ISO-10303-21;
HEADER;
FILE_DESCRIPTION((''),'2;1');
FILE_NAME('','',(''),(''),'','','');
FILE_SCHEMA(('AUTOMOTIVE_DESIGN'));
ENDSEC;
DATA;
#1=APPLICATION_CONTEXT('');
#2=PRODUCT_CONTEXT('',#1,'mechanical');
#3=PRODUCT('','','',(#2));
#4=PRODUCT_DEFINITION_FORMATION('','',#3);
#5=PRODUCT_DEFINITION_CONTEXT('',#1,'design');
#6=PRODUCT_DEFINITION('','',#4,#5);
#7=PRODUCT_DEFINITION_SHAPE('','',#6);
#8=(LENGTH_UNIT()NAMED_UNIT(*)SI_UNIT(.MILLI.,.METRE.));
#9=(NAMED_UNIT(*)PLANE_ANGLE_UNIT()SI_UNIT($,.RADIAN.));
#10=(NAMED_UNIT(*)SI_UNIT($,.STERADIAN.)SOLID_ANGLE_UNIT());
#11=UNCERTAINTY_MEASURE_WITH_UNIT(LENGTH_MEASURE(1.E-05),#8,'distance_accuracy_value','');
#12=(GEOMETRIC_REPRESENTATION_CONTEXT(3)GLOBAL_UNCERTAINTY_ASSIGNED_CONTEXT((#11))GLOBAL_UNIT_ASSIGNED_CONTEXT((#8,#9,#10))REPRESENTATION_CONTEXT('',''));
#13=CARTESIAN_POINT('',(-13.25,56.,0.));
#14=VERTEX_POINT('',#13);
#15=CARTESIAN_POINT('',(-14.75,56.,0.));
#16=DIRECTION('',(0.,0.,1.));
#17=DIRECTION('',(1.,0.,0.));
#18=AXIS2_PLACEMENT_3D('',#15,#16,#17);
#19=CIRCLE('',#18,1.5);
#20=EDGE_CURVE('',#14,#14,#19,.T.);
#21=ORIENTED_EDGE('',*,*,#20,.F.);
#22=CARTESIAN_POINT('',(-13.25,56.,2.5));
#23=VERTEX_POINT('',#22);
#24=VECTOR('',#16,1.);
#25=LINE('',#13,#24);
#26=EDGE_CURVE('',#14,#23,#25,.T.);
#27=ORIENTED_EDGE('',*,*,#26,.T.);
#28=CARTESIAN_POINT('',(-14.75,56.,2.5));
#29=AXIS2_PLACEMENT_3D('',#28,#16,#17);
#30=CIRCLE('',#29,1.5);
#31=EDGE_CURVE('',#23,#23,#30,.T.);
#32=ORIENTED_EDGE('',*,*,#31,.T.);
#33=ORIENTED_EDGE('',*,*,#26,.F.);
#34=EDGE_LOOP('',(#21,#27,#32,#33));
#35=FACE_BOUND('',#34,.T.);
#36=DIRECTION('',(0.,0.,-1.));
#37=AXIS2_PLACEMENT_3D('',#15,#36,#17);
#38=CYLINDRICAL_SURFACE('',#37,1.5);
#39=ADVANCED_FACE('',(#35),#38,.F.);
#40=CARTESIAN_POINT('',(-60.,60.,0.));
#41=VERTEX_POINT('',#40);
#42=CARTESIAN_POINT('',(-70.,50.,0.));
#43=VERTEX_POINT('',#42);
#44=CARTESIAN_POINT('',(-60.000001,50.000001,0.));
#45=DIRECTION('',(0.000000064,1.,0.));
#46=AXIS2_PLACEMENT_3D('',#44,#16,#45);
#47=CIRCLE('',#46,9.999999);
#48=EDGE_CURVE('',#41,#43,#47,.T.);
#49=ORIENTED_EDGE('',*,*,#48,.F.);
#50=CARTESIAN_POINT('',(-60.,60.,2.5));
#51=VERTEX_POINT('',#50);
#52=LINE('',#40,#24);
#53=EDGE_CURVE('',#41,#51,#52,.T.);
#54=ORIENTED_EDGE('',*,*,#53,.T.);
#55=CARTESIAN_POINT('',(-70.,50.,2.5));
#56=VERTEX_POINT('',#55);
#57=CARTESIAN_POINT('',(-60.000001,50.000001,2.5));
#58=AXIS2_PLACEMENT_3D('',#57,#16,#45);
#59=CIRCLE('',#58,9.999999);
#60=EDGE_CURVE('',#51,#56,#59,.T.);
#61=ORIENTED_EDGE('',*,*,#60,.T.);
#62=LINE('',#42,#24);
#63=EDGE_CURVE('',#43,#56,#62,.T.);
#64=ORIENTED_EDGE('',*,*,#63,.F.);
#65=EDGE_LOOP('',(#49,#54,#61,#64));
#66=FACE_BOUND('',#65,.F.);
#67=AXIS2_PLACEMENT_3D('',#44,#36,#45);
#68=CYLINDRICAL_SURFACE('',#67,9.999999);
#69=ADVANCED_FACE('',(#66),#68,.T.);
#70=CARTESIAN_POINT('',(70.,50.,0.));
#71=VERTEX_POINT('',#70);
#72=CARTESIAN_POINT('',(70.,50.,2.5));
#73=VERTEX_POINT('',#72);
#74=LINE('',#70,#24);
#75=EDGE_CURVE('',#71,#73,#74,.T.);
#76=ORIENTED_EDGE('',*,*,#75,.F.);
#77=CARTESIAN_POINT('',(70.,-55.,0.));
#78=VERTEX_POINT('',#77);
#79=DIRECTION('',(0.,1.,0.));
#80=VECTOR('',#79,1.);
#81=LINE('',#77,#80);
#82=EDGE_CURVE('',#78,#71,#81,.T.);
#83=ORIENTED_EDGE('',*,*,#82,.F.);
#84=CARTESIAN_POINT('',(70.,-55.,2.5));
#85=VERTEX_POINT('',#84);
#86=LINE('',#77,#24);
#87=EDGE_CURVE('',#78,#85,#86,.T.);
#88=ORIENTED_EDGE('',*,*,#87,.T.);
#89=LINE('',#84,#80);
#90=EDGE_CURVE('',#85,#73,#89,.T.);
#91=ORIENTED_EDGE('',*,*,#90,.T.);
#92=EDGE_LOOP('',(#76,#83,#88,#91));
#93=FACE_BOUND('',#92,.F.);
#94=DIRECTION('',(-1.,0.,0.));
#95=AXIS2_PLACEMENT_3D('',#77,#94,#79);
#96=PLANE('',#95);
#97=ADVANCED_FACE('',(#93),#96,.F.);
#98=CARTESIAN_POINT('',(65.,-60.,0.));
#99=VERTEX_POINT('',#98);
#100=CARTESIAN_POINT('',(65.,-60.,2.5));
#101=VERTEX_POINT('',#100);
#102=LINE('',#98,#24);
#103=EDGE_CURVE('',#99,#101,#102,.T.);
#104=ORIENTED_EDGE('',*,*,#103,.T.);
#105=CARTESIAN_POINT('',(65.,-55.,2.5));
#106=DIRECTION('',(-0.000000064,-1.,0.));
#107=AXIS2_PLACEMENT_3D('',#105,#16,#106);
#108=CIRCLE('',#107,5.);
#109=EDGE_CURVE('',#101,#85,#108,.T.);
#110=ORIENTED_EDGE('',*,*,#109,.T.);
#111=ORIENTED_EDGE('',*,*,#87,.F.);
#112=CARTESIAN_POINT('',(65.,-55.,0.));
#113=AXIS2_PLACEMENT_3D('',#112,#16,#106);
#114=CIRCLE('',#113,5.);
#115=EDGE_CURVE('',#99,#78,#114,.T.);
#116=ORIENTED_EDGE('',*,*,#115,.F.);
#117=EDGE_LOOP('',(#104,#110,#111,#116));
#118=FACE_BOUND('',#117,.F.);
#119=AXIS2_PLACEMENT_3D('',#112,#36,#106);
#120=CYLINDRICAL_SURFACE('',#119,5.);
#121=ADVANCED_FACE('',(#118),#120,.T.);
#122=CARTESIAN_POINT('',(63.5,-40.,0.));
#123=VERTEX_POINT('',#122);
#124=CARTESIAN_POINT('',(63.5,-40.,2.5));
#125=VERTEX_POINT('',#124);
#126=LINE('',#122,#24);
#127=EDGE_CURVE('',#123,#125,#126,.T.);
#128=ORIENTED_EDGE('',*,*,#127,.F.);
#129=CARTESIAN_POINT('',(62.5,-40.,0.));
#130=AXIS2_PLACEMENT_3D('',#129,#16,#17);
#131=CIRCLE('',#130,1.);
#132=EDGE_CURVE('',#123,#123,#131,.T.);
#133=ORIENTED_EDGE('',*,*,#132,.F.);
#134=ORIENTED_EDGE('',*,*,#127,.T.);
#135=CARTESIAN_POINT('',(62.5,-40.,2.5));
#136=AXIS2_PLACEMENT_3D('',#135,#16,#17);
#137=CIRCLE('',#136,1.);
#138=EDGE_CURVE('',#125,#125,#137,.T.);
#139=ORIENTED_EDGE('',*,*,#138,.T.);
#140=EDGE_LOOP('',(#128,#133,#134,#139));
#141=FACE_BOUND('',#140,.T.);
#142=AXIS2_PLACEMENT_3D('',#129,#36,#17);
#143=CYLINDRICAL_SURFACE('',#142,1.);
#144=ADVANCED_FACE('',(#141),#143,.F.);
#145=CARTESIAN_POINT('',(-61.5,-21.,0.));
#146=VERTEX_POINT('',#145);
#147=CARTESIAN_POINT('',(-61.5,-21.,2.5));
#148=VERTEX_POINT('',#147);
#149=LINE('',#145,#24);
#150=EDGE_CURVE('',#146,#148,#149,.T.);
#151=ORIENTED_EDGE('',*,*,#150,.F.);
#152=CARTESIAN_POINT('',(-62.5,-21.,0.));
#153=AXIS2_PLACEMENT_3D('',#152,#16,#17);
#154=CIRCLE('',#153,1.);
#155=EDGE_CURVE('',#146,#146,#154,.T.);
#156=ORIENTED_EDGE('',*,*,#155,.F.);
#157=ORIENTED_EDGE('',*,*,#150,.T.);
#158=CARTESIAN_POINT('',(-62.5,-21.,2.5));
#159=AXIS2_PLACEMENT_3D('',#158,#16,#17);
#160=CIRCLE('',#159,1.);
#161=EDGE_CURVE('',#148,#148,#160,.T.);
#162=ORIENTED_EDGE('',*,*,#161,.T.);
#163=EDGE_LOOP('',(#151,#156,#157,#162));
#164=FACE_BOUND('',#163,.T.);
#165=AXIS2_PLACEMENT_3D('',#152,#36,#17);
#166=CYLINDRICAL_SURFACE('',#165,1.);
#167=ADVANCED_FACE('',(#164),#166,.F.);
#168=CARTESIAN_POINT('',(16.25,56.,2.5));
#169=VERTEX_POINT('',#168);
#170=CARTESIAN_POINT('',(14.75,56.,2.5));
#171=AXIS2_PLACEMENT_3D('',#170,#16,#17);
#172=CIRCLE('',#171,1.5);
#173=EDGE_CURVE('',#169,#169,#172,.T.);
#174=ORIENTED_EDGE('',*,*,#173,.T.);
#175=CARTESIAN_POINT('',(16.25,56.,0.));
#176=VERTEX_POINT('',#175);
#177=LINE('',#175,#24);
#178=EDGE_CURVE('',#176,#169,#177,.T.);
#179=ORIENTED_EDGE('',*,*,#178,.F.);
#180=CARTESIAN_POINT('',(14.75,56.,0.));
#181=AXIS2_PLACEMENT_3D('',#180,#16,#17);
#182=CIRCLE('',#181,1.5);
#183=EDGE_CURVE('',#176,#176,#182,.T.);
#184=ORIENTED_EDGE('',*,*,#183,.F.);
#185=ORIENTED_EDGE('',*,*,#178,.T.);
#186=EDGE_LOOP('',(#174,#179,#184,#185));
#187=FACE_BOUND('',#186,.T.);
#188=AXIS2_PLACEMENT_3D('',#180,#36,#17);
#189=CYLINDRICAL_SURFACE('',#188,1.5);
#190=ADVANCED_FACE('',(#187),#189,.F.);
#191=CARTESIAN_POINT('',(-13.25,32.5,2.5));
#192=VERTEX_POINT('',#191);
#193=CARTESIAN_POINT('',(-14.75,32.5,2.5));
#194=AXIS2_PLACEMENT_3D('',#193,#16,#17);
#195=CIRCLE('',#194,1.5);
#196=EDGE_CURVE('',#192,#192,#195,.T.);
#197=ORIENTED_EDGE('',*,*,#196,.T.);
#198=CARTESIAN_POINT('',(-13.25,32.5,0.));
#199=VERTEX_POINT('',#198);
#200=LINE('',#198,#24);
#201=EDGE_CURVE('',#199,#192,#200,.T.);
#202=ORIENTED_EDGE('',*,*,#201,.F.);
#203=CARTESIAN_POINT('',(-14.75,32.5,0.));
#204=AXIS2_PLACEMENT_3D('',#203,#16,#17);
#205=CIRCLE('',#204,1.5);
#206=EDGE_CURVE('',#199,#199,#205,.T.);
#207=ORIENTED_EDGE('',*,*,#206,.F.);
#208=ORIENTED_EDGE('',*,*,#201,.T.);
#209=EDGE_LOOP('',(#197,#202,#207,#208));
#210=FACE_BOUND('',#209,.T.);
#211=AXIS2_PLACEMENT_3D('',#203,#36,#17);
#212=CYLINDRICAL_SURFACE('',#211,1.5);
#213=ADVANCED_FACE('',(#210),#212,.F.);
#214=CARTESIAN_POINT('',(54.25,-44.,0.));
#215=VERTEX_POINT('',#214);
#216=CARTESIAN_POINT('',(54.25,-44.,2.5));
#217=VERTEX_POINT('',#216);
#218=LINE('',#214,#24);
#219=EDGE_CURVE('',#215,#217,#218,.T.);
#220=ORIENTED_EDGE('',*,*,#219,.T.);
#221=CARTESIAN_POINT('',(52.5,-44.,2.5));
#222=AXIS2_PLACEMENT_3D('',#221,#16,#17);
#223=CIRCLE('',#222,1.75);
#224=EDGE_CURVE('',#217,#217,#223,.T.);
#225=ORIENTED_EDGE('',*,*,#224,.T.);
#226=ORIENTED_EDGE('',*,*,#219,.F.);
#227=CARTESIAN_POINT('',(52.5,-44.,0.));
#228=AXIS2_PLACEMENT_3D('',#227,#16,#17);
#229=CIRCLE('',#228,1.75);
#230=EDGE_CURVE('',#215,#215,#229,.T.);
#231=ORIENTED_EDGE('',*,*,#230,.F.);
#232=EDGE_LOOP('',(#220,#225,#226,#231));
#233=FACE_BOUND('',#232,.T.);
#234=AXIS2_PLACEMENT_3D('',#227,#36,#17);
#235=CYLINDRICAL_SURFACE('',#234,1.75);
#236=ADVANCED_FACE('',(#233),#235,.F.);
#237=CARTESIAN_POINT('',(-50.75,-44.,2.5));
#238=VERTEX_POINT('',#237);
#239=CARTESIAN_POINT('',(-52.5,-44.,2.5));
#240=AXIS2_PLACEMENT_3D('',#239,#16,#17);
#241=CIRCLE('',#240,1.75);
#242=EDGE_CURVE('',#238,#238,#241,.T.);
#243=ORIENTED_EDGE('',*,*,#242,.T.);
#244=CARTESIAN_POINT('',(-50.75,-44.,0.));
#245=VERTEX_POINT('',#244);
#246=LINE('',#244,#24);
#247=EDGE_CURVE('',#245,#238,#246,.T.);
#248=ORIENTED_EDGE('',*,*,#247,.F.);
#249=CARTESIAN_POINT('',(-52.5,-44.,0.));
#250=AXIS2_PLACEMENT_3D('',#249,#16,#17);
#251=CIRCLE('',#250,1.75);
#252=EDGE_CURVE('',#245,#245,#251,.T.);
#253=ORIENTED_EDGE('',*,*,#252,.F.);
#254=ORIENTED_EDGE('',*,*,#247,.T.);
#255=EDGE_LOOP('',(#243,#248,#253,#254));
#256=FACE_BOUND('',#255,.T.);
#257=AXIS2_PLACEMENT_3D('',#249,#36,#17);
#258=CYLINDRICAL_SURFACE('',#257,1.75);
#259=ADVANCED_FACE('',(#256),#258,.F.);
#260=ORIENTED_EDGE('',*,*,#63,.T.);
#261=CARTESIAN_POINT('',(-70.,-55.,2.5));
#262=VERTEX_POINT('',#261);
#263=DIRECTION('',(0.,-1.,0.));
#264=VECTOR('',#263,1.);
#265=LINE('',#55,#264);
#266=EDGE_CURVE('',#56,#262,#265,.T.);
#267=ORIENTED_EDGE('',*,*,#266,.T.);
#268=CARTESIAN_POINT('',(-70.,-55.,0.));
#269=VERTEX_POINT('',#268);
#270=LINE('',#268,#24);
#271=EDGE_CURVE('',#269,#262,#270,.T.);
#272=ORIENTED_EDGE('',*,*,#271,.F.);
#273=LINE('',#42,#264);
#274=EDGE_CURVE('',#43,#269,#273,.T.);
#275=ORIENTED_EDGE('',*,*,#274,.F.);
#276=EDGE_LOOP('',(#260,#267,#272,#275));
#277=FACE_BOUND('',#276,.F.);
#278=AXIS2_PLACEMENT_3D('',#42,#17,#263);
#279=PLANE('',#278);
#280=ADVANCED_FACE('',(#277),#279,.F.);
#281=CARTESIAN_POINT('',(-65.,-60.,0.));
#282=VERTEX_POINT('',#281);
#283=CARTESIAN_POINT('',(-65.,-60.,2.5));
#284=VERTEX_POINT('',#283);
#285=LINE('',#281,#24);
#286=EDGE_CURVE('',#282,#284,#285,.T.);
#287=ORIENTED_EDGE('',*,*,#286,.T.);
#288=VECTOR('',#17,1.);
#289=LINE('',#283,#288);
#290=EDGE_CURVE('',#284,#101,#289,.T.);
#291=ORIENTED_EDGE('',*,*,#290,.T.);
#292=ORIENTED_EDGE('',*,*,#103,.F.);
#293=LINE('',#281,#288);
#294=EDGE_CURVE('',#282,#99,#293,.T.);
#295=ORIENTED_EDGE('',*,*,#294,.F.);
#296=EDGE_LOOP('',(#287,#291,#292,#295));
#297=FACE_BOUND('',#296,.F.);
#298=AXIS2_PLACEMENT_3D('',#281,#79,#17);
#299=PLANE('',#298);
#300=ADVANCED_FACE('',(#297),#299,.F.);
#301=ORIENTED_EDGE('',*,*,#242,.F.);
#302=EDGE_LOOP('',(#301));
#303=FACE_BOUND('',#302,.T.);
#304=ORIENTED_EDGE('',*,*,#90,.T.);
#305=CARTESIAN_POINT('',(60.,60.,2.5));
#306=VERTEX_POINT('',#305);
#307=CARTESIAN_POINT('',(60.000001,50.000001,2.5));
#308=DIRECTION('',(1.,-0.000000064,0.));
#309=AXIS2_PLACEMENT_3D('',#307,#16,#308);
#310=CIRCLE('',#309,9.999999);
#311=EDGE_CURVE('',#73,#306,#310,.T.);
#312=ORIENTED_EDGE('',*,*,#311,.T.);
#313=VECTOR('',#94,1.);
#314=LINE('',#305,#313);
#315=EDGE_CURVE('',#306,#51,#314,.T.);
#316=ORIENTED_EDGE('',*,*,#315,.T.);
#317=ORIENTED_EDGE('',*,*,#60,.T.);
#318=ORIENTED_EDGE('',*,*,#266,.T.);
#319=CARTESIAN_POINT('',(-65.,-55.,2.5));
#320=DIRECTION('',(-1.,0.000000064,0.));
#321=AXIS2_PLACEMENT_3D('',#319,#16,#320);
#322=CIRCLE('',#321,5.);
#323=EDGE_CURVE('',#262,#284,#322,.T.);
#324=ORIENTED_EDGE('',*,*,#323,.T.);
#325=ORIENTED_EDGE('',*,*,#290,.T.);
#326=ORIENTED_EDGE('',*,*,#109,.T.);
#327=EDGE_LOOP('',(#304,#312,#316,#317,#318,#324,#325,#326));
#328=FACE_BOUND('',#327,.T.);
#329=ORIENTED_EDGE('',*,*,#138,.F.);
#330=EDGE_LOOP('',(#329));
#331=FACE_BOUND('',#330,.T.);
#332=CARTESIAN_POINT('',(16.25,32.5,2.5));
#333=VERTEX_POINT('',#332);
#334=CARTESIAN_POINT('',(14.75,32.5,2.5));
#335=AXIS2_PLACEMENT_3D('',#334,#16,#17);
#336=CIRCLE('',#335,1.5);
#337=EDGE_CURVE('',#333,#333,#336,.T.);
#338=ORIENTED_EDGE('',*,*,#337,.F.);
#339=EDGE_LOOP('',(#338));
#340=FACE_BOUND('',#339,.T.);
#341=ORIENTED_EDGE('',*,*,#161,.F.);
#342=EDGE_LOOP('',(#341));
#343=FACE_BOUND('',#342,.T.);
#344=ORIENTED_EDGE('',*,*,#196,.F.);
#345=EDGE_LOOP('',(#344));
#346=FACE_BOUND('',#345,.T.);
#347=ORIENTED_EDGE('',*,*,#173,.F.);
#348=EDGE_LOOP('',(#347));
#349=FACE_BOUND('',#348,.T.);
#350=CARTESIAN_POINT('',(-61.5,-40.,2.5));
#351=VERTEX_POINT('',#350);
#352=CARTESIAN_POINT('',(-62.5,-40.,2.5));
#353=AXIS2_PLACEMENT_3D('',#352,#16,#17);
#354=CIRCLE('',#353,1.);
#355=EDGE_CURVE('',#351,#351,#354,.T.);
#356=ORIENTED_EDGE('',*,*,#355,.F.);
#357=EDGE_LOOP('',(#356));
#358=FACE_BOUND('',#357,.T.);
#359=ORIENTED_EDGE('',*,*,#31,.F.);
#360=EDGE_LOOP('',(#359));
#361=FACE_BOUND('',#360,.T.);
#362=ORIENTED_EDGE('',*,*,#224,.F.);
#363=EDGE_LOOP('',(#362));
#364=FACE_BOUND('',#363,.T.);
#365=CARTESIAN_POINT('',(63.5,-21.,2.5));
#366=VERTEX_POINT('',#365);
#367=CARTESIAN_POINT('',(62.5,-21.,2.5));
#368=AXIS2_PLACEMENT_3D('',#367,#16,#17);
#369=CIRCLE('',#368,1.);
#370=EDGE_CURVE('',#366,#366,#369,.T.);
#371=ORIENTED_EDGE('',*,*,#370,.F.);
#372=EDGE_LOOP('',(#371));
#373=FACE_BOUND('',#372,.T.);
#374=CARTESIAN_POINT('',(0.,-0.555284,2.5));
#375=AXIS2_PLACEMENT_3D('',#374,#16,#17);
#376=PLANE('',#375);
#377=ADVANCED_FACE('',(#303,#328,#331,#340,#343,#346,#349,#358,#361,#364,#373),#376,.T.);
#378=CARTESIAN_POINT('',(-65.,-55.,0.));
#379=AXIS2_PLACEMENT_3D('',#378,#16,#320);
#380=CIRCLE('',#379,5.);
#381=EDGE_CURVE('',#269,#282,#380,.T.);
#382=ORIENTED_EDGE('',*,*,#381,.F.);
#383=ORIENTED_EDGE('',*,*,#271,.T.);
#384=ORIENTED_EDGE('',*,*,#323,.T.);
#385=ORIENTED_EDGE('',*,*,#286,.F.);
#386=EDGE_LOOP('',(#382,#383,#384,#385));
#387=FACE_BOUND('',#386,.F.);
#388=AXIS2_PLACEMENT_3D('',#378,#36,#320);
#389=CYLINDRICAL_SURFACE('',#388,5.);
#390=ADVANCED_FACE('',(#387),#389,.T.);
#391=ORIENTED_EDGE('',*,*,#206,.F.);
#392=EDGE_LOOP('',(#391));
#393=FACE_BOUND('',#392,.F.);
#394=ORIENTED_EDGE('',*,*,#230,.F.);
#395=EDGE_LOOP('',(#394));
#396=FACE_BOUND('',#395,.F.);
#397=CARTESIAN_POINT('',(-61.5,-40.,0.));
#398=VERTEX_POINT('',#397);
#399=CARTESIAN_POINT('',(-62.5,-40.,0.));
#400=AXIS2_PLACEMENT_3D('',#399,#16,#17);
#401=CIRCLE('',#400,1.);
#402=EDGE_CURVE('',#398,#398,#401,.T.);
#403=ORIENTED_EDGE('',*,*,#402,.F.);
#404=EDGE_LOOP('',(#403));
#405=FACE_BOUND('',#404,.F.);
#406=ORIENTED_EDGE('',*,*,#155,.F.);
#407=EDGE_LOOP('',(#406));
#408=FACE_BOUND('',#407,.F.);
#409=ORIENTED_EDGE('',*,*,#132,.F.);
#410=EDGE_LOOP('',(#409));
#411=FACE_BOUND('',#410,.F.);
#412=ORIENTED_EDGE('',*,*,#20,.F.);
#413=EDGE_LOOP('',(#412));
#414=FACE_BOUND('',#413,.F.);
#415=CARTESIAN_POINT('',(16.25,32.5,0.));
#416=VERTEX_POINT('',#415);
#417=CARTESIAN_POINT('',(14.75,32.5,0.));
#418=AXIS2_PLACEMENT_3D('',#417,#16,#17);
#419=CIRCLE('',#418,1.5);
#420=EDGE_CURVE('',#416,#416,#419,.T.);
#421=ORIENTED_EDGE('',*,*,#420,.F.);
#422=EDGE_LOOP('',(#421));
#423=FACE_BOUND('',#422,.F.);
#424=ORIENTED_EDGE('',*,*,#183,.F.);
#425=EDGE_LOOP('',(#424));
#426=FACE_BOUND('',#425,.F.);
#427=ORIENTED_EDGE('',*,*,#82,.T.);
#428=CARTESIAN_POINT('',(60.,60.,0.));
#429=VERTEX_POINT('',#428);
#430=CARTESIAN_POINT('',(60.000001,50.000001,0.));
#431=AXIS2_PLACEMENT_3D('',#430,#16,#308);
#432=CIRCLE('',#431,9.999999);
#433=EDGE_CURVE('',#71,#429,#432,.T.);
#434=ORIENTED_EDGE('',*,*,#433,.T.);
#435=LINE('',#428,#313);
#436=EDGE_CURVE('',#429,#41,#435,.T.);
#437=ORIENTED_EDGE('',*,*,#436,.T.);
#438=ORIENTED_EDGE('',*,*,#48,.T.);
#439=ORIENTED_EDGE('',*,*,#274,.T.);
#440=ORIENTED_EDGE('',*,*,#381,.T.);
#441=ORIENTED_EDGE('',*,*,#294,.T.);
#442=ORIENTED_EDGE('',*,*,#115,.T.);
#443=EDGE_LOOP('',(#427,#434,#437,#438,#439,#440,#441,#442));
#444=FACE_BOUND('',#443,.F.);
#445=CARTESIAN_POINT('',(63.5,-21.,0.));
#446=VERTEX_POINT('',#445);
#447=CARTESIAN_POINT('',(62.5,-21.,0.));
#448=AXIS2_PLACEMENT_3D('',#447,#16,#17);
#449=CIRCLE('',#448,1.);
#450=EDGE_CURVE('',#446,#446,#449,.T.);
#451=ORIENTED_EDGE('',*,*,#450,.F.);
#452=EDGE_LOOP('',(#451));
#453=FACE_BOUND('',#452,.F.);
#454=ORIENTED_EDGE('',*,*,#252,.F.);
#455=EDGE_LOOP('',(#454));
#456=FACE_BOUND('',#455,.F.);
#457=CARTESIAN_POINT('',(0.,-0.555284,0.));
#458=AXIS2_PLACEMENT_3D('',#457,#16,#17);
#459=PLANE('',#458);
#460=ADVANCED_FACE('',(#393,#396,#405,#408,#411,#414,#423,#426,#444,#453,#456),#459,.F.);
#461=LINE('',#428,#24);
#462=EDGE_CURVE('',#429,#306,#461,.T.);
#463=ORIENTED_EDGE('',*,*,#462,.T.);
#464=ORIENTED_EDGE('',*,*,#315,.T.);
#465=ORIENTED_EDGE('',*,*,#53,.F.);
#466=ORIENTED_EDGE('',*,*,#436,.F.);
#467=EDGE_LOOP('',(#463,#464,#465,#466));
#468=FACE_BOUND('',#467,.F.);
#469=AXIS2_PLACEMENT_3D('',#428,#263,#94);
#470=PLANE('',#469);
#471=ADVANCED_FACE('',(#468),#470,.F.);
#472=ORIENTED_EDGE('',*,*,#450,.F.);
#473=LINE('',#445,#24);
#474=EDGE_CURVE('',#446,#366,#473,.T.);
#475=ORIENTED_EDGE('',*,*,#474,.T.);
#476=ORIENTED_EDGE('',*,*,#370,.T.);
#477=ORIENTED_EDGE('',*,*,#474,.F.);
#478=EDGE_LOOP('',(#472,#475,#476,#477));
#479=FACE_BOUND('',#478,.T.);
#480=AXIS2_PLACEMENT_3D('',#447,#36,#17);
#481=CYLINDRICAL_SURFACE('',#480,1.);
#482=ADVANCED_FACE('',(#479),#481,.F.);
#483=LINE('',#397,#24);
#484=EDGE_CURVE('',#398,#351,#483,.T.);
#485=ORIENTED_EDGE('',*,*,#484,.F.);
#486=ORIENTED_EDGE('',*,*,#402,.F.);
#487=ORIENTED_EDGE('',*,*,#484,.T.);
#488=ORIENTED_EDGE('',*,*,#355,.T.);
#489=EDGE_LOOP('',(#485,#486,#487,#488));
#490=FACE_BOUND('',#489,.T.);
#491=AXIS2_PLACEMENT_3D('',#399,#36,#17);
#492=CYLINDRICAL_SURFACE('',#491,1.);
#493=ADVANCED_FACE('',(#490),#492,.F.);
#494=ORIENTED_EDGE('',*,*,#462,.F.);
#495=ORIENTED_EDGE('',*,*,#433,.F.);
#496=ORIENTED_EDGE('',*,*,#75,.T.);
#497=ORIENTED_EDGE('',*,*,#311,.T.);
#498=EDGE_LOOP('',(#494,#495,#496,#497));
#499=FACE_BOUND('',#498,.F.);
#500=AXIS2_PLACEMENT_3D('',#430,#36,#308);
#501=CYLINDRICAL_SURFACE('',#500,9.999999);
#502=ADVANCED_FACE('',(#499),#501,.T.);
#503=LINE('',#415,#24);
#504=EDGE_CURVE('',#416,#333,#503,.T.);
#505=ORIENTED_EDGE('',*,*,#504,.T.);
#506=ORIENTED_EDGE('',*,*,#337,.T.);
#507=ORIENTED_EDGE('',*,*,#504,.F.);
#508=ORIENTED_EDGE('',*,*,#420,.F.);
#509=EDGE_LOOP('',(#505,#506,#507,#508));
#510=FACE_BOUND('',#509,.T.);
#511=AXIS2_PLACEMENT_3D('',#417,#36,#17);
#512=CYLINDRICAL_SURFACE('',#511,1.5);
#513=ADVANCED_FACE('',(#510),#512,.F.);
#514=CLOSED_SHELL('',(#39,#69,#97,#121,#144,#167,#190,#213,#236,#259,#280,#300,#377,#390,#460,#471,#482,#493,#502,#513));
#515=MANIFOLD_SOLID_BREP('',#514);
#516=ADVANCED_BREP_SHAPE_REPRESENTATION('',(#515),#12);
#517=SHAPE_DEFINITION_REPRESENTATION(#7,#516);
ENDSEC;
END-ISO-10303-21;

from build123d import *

# Parameters (mm, degrees)
F0_R     = 1
F0_R_2   = 1.75
F0_R_3   = 1.5
F1_DEPTH = 2.5


with BuildPart() as f1:
    # F0 (on Top) → F1 (new body)
    with BuildSketch(Plane.XY):
        with BuildLine():
            ThreePointArc((70, 50), (67.071068, 57.071068), (60, 60))
            Line((60, 60), (-60, 60))
            ThreePointArc((-60, 60), (-67.071068, 57.071068), (-70, 50))
            Line((-70, 50), (-70, -55))
            ThreePointArc((-70, -55), (-68.535534, -58.535534), (-65, -60))
            Line((-65, -60), (65, -60))
            ThreePointArc((65, -60), (68.535534, -58.535534), (70, -55))
            Line((70, -55), (70, 50))
        make_face()
        with Locations((-62.5, -40)):
            Circle(F0_R, mode=Mode.SUBTRACT)
        with Locations((-52.5, -44)):
            Circle(F0_R_2, mode=Mode.SUBTRACT)
        with Locations((-62.5, -21)):
            Circle(F0_R, mode=Mode.SUBTRACT)
        with Locations((52.5, -44)):
            Circle(F0_R_2, mode=Mode.SUBTRACT)
        with Locations((62.5, -40)):
            Circle(F0_R, mode=Mode.SUBTRACT)
        with Locations((62.5, -21)):
            Circle(F0_R, mode=Mode.SUBTRACT)
        with Locations((-14.75, 32.5)):
            Circle(F0_R_3, mode=Mode.SUBTRACT)
        with Locations((-14.75, 56)):
            Circle(F0_R_3, mode=Mode.SUBTRACT)
        with Locations((14.75, 32.5)):
            Circle(F0_R_3, mode=Mode.SUBTRACT)
        with Locations((14.75, 56)):
            Circle(F0_R_3, mode=Mode.SUBTRACT)
    extrude(amount=F1_DEPTH)


solid = f1.part
